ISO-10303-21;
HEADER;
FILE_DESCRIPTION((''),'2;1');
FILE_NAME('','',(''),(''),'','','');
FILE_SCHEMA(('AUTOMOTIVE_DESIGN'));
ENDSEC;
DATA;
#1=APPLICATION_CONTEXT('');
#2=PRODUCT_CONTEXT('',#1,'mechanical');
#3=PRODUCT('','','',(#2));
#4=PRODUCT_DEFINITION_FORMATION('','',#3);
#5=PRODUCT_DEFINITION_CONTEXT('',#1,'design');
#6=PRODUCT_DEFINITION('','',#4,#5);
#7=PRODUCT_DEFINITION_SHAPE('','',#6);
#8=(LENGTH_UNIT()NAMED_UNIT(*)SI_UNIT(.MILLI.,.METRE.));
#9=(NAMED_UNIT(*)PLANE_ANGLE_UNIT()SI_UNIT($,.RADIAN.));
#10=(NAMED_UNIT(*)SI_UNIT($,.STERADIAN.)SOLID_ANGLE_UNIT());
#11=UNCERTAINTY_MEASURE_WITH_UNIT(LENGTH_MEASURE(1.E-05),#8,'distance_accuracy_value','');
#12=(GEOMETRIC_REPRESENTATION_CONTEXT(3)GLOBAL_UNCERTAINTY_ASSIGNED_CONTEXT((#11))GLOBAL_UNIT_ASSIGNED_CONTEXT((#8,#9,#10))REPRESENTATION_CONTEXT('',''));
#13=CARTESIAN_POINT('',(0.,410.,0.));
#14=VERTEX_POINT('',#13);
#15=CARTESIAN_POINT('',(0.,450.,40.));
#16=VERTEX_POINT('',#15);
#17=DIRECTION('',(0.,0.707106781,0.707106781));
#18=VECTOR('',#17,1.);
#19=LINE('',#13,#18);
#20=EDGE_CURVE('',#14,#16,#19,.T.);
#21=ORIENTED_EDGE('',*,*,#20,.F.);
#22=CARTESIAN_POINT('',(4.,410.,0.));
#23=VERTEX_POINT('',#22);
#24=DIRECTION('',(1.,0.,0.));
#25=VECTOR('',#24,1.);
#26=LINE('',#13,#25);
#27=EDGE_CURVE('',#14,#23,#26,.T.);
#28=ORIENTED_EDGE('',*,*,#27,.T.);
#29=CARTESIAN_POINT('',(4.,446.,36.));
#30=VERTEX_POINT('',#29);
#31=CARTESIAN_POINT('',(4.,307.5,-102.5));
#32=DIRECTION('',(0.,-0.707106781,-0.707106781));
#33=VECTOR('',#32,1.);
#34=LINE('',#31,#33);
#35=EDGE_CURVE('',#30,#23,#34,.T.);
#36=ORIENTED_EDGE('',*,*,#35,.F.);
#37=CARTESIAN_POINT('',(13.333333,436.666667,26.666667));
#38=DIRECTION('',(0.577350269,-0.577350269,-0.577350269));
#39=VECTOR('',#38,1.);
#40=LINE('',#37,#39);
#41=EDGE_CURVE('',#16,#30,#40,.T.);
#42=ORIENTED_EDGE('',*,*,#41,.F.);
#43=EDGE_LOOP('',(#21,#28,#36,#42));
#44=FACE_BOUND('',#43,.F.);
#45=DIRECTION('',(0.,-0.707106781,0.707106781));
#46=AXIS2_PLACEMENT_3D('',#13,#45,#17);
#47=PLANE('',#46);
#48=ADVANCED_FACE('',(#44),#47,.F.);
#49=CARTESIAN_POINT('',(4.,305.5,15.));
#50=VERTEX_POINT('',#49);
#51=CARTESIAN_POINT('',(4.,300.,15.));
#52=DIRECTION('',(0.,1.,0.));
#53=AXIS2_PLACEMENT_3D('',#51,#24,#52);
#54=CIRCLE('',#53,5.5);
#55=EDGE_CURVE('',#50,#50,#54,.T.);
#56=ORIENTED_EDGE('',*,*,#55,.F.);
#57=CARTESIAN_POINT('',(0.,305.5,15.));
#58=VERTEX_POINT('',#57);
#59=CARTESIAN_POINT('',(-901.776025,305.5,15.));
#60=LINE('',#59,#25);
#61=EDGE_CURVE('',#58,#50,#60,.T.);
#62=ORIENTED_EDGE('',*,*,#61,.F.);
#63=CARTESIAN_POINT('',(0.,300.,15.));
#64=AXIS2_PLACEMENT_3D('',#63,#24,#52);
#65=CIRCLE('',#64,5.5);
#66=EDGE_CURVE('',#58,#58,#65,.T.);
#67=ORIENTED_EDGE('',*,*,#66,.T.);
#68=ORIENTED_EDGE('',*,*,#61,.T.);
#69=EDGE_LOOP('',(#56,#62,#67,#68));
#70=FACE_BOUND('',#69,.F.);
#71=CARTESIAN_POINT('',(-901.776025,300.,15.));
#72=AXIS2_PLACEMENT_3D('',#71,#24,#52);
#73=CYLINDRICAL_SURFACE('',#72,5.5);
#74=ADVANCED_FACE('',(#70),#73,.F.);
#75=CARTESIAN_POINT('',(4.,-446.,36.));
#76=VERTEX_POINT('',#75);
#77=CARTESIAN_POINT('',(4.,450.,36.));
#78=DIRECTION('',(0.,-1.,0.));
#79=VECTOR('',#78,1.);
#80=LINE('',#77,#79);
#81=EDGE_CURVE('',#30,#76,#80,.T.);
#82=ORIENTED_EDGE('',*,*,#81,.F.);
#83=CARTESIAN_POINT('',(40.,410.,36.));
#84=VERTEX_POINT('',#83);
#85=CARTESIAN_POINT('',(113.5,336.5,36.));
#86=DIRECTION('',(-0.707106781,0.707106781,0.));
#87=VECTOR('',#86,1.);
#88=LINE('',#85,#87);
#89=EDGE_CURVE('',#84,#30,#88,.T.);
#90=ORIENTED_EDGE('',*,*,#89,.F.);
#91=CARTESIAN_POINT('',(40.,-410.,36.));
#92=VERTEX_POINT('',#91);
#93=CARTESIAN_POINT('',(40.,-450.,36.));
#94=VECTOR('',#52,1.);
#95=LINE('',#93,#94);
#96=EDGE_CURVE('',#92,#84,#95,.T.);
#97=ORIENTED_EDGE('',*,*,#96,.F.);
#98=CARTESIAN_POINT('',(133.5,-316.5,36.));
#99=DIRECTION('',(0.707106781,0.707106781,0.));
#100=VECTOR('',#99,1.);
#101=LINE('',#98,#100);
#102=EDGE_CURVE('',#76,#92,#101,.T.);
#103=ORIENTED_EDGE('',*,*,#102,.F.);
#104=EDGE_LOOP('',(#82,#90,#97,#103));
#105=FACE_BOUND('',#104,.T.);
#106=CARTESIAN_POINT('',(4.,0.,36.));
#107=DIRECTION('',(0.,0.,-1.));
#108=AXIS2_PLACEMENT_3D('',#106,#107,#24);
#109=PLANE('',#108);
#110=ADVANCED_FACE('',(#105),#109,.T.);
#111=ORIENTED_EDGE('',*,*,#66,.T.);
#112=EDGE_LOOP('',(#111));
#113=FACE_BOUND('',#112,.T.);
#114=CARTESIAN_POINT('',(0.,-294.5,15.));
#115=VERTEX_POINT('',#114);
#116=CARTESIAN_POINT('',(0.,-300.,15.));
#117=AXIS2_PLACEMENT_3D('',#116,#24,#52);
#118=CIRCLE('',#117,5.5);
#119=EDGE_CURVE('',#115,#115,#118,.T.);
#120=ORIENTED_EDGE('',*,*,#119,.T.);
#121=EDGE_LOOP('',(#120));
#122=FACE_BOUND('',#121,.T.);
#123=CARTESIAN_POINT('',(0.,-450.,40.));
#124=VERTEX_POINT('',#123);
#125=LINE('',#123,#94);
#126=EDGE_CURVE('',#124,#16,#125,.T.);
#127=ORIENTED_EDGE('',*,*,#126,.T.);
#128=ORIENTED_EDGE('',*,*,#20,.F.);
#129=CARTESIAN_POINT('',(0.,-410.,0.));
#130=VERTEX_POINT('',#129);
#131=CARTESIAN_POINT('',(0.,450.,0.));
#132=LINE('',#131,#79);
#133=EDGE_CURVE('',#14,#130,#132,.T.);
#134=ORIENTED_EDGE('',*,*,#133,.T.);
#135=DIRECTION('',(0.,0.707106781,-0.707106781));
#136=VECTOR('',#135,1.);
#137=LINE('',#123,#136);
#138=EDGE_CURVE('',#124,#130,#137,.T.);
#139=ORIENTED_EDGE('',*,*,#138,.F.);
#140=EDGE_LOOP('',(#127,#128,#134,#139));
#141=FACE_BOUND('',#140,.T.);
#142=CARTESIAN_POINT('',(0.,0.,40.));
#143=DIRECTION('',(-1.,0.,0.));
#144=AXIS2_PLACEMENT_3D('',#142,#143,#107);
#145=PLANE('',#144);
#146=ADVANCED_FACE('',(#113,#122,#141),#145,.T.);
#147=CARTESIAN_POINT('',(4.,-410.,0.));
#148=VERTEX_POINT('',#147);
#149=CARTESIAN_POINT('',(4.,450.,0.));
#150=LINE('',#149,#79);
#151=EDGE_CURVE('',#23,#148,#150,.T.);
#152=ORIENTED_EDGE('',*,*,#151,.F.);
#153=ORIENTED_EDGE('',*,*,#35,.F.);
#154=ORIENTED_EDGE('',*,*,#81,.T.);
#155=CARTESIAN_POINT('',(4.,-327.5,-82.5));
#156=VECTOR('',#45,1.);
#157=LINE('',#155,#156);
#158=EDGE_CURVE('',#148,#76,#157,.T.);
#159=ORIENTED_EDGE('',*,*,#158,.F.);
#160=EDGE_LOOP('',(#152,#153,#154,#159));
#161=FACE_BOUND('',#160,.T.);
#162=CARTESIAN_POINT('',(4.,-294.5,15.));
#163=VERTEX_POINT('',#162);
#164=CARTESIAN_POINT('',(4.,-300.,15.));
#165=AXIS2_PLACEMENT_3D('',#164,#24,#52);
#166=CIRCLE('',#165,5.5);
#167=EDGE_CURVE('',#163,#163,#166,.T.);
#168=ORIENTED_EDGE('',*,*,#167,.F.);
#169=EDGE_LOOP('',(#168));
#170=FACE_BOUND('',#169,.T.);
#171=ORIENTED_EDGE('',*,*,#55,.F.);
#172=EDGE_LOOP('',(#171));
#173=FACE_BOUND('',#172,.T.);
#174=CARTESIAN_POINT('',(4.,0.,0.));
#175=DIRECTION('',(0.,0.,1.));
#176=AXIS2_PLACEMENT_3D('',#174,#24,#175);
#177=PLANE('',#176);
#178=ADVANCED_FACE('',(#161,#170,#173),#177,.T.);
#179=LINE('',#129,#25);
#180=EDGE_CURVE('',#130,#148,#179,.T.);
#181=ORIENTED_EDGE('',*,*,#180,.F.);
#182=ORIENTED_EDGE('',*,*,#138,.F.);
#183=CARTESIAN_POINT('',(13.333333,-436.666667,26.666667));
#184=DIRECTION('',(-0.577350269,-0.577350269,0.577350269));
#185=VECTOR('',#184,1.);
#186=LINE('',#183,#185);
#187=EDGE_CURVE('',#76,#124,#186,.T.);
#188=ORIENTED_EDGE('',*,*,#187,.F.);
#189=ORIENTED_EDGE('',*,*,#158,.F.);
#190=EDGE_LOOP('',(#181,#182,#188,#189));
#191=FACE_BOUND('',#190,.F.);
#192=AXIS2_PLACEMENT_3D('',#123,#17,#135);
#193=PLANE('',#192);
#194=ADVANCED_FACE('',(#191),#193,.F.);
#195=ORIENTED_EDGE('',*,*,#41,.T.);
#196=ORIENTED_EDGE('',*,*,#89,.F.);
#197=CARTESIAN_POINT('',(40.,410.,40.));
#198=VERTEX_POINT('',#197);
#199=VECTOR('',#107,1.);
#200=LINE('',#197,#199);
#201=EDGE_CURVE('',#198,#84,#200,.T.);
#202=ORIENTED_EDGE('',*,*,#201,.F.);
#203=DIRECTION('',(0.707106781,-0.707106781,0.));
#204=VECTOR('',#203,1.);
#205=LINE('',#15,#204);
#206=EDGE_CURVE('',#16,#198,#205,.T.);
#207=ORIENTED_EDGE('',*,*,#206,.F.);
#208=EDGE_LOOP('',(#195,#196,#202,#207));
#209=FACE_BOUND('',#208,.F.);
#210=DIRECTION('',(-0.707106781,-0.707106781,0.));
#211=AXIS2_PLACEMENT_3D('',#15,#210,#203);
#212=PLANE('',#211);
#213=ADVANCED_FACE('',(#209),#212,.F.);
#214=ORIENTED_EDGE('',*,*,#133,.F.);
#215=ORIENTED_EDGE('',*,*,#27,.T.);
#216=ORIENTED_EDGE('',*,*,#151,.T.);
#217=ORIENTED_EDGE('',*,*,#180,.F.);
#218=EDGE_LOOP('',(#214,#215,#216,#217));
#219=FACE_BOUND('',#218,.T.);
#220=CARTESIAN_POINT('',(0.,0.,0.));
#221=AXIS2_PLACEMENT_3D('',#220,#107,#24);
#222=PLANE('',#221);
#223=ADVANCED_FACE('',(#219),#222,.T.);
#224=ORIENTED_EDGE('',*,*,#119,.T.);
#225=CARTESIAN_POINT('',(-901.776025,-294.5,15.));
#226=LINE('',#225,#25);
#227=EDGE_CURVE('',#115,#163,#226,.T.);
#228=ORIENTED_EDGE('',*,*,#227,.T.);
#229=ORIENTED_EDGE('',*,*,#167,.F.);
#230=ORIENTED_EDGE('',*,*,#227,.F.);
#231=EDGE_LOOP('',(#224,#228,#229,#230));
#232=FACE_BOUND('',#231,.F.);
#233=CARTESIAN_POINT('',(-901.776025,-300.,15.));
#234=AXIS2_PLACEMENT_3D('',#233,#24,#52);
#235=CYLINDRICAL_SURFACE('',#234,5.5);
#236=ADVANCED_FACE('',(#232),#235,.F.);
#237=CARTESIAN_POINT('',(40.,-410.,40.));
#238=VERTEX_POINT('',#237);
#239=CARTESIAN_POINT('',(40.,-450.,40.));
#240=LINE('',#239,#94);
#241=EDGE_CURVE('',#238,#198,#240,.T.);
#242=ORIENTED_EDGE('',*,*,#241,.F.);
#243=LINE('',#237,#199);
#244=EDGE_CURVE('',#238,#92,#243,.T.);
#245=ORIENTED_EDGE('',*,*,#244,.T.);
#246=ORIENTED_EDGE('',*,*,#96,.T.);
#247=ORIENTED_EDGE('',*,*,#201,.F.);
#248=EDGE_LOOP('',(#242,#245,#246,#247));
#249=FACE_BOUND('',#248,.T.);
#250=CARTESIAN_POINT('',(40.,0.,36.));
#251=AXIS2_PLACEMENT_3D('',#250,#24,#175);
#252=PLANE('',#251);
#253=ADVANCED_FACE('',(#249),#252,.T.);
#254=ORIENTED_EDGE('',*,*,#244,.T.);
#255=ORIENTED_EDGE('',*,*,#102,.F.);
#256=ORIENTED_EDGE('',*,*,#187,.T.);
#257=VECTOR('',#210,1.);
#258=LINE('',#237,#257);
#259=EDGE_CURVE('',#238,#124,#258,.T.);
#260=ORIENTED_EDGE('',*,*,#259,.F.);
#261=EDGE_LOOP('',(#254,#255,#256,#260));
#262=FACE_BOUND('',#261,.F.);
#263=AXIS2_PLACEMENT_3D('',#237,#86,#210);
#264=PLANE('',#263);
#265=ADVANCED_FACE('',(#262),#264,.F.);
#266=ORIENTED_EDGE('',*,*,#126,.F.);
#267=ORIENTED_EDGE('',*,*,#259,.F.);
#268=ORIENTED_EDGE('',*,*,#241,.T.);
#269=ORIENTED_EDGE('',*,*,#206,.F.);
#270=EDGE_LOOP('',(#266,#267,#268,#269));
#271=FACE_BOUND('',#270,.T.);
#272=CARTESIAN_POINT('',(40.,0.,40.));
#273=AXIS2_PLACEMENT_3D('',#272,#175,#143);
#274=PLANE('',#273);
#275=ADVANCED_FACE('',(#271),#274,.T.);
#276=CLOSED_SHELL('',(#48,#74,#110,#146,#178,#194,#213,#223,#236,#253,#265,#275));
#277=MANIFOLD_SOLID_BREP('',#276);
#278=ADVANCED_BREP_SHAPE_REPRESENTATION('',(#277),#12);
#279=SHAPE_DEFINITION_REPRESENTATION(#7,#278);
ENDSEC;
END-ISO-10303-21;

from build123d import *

# Parameters (mm, degrees)
F1_DEPTH = 450
F3_DEPTH = 40
F5_DEPTH = 40
F7_D     = 11


with BuildPart() as f1:
    # F0 (on Front) → F1 (new body, symmetric)
    with BuildSketch(Plane.XZ):
        Polygon((0, 40), (0, 0), (4, 0), (4, 36), (40, 36), (40, 40), align=None)
    extrude(amount=F1_DEPTH, both=True)

    # F2 (on face) → F3 (cut)
    with BuildSketch(Plane(origin=(0, 0, 0), x_dir=(0, -1, 0), z_dir=(-1, 0, 0))):
        Polygon((-410, 0), (-450, 40), (-450, 0), align=None)
        Polygon((450, 0), (450, 40), (410, 0), align=None)
    extrude(amount=-F3_DEPTH, mode=Mode.SUBTRACT)

    # F4 (on face) → F5 (cut)
    with BuildSketch(Plane.XY.offset(40)):
        Polygon((40, 450), (0, 450), (40, 410), align=None)
        Polygon((40, -410), (0, -450), (40, -450), align=None)
    extrude(amount=-F5_DEPTH, mode=Mode.SUBTRACT)

    # F7 (through all)
    with Locations(Plane(origin=(0, 0, 0), x_dir=(0, -1, 0), z_dir=(-1, 0, 0))):
        with Locations((300, 15), (-300, 15)):
            Hole(F7_D / 2)


solid = f1.part
